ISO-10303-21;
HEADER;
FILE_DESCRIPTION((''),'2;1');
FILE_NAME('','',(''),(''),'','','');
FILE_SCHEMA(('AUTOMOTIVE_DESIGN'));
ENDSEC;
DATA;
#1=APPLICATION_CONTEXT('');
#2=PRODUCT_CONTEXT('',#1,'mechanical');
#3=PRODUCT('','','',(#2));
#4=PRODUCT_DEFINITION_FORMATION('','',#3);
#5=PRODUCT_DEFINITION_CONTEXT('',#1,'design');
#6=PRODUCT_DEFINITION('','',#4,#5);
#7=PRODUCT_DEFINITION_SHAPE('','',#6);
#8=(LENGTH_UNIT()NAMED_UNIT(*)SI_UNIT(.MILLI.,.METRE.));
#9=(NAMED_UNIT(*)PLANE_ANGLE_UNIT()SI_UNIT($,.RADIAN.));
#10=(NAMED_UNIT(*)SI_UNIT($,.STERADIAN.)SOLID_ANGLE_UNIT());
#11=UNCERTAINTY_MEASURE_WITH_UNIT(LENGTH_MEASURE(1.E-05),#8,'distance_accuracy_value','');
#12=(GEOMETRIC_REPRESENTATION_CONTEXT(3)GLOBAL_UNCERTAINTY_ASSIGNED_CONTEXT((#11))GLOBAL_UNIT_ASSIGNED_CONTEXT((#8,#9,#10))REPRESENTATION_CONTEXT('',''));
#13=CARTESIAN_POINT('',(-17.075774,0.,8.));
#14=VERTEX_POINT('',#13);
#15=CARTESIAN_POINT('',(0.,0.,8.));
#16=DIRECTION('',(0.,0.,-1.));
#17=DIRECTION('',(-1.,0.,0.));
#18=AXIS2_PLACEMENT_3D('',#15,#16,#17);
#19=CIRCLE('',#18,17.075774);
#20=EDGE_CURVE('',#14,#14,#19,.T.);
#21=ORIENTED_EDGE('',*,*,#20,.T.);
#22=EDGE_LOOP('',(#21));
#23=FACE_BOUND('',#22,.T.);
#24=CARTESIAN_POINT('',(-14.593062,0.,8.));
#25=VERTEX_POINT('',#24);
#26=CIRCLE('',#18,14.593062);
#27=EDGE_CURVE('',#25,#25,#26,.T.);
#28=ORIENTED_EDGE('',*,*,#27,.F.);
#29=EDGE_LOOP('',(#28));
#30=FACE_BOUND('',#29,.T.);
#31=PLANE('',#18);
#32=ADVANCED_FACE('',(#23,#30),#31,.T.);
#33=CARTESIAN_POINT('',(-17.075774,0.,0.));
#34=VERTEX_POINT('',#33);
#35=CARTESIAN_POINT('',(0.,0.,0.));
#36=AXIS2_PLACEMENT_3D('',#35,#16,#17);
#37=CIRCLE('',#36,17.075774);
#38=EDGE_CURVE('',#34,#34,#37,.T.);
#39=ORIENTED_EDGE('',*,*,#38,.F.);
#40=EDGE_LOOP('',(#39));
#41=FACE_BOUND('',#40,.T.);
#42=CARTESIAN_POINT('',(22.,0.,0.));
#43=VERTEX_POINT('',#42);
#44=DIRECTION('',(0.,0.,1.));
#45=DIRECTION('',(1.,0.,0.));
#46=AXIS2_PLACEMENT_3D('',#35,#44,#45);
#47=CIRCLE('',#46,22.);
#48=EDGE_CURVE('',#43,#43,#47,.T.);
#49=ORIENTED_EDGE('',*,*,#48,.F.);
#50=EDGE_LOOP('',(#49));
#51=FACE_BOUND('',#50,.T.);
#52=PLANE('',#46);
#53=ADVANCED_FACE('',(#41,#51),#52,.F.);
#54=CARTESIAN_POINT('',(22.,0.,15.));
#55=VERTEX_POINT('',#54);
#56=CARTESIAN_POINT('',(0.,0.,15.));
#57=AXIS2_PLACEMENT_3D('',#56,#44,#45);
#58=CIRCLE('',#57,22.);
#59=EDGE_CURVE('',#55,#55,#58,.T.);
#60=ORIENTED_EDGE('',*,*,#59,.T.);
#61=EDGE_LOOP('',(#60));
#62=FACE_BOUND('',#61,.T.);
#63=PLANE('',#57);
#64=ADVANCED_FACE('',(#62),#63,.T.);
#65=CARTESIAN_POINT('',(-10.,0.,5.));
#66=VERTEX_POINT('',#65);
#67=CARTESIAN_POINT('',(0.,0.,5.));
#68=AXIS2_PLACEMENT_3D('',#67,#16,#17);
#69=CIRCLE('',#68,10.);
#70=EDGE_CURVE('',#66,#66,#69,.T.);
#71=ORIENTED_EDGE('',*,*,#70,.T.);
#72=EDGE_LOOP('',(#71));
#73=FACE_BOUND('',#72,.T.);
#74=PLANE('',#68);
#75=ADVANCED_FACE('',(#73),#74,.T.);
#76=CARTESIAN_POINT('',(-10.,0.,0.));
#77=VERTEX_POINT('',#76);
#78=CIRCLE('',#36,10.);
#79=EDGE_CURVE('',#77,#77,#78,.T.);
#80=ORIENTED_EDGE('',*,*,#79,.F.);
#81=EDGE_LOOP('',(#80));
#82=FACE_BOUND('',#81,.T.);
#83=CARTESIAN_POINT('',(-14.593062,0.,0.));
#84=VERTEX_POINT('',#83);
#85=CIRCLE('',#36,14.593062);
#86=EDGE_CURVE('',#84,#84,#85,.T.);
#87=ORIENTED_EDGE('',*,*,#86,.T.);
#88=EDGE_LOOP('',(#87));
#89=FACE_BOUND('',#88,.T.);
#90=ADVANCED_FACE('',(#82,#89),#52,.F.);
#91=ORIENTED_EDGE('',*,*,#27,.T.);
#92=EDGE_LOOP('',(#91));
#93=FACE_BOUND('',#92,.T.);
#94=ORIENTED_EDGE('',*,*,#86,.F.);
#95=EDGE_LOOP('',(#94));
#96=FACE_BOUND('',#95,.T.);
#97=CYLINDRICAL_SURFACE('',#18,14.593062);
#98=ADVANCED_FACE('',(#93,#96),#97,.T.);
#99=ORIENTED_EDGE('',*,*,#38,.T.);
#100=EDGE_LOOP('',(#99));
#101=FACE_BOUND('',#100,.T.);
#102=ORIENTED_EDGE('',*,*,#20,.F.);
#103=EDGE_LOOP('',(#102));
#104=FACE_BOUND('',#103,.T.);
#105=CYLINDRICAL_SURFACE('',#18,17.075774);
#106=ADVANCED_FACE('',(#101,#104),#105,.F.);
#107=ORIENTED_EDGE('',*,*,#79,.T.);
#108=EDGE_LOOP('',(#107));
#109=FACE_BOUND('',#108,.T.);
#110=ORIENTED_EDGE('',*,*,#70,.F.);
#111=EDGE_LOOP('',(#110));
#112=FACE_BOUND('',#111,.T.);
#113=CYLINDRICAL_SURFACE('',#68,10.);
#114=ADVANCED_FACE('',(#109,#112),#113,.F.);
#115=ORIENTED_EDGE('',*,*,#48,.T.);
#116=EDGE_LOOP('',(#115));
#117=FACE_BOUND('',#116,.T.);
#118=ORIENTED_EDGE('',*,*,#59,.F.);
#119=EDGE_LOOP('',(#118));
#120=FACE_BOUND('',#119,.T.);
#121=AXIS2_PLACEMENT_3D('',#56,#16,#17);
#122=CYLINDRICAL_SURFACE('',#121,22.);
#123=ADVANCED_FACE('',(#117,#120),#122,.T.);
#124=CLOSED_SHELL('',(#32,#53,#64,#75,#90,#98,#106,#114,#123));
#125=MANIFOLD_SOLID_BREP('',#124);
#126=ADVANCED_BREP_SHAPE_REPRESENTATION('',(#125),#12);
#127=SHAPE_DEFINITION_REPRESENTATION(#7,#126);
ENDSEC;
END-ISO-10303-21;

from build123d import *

# Parameters (mm, degrees)
SKETCH1_R           = 22
BOSS_EXTRUDE1_DEPTH = 15
SKETCH2_R           = 10
CUT_EXTRUDE1_DEPTH  = 5
SKETCH3_R           = 17.075773731
SKETCH3_R_2         = 14.593062164
CUT_EXTRUDE2_DEPTH  = 8


with BuildPart() as part:
    # Sketch1 → Boss-Extrude1 (new body)
    with BuildSketch(Plane.XY):
        Circle(SKETCH1_R)
    extrude(amount=BOSS_EXTRUDE1_DEPTH)

    # Sketch2 → Cut-Extrude1 (cut)
    with BuildSketch(Plane(origin=(0, 0, 0), x_dir=(-1, 0, 0), z_dir=(0, 0, -1))):
        Circle(SKETCH2_R)
    extrude(amount=-CUT_EXTRUDE1_DEPTH, mode=Mode.SUBTRACT)

    # Sketch3 → Cut-Extrude2 (cut)
    with BuildSketch(Plane(origin=(0, 0, 0), x_dir=(-1, 0, 0), z_dir=(0, 0, -1))):
        Circle(SKETCH3_R)
        Circle(SKETCH3_R_2, mode=Mode.SUBTRACT)
    extrude(amount=-CUT_EXTRUDE2_DEPTH, mode=Mode.SUBTRACT)


solid = part.part
